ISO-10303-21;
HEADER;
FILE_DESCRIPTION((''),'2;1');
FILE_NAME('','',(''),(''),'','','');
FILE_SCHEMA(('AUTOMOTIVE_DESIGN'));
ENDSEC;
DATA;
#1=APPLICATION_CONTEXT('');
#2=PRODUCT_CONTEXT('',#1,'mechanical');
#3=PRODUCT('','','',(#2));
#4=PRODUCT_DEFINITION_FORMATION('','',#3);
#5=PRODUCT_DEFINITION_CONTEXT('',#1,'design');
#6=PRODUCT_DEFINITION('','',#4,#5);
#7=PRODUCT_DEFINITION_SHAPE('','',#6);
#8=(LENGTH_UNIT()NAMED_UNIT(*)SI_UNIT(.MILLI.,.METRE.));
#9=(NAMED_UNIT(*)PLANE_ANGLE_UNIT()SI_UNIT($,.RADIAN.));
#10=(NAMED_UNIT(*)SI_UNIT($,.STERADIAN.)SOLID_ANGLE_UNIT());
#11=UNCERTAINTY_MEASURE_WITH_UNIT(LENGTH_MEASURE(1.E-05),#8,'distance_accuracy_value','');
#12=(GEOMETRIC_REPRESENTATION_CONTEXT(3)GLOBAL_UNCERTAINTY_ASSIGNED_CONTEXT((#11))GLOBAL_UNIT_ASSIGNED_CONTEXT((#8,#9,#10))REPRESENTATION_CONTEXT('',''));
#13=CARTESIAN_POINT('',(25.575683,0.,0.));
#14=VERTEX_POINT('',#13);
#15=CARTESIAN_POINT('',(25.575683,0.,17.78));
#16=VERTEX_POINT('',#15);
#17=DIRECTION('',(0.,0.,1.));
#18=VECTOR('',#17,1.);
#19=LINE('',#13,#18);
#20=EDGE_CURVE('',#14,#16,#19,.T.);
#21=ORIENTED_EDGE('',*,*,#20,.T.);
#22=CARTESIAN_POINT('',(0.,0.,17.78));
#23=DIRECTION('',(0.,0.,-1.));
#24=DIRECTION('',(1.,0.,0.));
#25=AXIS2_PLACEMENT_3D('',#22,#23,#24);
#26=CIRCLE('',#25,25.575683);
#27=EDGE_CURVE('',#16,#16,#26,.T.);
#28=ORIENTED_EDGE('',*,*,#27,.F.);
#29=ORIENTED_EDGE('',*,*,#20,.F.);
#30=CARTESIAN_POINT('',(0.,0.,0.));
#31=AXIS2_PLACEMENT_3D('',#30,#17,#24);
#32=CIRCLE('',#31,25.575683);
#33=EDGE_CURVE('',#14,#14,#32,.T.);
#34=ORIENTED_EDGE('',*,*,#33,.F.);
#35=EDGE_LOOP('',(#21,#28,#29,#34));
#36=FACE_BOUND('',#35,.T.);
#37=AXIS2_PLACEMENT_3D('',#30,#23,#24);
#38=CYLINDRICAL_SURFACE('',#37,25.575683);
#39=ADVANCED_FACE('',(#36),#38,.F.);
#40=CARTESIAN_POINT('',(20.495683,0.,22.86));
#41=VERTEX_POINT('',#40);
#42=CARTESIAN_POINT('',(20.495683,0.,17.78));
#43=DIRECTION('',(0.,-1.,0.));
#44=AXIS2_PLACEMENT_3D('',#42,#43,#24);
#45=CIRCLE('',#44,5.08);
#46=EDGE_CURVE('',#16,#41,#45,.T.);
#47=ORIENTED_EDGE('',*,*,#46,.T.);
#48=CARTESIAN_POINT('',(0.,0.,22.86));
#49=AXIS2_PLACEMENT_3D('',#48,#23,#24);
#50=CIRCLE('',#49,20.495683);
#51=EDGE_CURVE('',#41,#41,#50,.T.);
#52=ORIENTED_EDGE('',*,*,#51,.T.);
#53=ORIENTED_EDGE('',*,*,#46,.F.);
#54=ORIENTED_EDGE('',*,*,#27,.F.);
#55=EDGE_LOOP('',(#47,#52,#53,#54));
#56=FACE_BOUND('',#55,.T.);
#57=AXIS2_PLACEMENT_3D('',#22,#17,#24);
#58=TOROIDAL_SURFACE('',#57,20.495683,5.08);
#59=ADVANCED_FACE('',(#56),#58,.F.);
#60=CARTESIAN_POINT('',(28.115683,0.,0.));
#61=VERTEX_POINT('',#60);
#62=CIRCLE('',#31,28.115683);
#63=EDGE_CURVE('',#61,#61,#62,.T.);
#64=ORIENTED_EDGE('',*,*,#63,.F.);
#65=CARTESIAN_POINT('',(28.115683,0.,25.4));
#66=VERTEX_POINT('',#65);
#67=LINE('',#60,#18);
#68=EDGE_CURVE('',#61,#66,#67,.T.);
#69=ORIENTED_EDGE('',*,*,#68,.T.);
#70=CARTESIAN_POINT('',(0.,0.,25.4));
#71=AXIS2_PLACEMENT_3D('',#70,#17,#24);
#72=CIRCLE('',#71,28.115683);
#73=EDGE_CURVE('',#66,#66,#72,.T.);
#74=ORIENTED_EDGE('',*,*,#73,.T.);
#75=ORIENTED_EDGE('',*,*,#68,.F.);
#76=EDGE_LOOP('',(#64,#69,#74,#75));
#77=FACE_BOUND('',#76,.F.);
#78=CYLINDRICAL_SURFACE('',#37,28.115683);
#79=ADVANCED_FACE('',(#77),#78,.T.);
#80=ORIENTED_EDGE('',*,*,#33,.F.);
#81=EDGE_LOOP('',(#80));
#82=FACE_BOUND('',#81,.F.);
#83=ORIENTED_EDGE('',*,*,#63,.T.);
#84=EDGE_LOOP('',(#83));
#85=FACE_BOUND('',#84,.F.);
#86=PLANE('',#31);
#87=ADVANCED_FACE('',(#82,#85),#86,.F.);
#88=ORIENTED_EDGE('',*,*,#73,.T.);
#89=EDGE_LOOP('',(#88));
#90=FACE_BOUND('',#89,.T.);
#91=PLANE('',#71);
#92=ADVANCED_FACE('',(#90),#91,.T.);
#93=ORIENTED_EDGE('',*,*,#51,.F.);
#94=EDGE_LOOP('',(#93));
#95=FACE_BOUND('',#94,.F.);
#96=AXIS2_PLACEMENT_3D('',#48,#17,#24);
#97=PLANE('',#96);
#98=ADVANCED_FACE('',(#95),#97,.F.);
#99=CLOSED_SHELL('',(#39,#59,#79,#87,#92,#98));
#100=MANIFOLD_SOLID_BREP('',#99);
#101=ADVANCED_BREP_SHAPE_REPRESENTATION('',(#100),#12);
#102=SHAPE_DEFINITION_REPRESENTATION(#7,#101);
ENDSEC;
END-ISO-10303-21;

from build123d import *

# Parameters (mm, degrees)
F0_R     = 28.1156832237
F1_DEPTH = 25.4
F2_T     = -2.54
F3_R     = 5.08


with BuildPart() as f1:
    # F0 (on Top) → F1 (new body)
    with BuildSketch(Plane.XY):
        Circle(F0_R)
    extrude(amount=F1_DEPTH)

    # F2
    f2_openings = [f1.faces().sort_by_distance(p)[0] for p in [
        (0, 0, 0),
    ]]
    offset(amount=F2_T, openings=f2_openings)

    # F3
    f3_edges = [f1.edges().sort_by_distance(p)[0] for p in [
        (-25.575683, 0, 22.86),
    ]]
    fillet(f3_edges, radius=F3_R)


solid = f1.part
